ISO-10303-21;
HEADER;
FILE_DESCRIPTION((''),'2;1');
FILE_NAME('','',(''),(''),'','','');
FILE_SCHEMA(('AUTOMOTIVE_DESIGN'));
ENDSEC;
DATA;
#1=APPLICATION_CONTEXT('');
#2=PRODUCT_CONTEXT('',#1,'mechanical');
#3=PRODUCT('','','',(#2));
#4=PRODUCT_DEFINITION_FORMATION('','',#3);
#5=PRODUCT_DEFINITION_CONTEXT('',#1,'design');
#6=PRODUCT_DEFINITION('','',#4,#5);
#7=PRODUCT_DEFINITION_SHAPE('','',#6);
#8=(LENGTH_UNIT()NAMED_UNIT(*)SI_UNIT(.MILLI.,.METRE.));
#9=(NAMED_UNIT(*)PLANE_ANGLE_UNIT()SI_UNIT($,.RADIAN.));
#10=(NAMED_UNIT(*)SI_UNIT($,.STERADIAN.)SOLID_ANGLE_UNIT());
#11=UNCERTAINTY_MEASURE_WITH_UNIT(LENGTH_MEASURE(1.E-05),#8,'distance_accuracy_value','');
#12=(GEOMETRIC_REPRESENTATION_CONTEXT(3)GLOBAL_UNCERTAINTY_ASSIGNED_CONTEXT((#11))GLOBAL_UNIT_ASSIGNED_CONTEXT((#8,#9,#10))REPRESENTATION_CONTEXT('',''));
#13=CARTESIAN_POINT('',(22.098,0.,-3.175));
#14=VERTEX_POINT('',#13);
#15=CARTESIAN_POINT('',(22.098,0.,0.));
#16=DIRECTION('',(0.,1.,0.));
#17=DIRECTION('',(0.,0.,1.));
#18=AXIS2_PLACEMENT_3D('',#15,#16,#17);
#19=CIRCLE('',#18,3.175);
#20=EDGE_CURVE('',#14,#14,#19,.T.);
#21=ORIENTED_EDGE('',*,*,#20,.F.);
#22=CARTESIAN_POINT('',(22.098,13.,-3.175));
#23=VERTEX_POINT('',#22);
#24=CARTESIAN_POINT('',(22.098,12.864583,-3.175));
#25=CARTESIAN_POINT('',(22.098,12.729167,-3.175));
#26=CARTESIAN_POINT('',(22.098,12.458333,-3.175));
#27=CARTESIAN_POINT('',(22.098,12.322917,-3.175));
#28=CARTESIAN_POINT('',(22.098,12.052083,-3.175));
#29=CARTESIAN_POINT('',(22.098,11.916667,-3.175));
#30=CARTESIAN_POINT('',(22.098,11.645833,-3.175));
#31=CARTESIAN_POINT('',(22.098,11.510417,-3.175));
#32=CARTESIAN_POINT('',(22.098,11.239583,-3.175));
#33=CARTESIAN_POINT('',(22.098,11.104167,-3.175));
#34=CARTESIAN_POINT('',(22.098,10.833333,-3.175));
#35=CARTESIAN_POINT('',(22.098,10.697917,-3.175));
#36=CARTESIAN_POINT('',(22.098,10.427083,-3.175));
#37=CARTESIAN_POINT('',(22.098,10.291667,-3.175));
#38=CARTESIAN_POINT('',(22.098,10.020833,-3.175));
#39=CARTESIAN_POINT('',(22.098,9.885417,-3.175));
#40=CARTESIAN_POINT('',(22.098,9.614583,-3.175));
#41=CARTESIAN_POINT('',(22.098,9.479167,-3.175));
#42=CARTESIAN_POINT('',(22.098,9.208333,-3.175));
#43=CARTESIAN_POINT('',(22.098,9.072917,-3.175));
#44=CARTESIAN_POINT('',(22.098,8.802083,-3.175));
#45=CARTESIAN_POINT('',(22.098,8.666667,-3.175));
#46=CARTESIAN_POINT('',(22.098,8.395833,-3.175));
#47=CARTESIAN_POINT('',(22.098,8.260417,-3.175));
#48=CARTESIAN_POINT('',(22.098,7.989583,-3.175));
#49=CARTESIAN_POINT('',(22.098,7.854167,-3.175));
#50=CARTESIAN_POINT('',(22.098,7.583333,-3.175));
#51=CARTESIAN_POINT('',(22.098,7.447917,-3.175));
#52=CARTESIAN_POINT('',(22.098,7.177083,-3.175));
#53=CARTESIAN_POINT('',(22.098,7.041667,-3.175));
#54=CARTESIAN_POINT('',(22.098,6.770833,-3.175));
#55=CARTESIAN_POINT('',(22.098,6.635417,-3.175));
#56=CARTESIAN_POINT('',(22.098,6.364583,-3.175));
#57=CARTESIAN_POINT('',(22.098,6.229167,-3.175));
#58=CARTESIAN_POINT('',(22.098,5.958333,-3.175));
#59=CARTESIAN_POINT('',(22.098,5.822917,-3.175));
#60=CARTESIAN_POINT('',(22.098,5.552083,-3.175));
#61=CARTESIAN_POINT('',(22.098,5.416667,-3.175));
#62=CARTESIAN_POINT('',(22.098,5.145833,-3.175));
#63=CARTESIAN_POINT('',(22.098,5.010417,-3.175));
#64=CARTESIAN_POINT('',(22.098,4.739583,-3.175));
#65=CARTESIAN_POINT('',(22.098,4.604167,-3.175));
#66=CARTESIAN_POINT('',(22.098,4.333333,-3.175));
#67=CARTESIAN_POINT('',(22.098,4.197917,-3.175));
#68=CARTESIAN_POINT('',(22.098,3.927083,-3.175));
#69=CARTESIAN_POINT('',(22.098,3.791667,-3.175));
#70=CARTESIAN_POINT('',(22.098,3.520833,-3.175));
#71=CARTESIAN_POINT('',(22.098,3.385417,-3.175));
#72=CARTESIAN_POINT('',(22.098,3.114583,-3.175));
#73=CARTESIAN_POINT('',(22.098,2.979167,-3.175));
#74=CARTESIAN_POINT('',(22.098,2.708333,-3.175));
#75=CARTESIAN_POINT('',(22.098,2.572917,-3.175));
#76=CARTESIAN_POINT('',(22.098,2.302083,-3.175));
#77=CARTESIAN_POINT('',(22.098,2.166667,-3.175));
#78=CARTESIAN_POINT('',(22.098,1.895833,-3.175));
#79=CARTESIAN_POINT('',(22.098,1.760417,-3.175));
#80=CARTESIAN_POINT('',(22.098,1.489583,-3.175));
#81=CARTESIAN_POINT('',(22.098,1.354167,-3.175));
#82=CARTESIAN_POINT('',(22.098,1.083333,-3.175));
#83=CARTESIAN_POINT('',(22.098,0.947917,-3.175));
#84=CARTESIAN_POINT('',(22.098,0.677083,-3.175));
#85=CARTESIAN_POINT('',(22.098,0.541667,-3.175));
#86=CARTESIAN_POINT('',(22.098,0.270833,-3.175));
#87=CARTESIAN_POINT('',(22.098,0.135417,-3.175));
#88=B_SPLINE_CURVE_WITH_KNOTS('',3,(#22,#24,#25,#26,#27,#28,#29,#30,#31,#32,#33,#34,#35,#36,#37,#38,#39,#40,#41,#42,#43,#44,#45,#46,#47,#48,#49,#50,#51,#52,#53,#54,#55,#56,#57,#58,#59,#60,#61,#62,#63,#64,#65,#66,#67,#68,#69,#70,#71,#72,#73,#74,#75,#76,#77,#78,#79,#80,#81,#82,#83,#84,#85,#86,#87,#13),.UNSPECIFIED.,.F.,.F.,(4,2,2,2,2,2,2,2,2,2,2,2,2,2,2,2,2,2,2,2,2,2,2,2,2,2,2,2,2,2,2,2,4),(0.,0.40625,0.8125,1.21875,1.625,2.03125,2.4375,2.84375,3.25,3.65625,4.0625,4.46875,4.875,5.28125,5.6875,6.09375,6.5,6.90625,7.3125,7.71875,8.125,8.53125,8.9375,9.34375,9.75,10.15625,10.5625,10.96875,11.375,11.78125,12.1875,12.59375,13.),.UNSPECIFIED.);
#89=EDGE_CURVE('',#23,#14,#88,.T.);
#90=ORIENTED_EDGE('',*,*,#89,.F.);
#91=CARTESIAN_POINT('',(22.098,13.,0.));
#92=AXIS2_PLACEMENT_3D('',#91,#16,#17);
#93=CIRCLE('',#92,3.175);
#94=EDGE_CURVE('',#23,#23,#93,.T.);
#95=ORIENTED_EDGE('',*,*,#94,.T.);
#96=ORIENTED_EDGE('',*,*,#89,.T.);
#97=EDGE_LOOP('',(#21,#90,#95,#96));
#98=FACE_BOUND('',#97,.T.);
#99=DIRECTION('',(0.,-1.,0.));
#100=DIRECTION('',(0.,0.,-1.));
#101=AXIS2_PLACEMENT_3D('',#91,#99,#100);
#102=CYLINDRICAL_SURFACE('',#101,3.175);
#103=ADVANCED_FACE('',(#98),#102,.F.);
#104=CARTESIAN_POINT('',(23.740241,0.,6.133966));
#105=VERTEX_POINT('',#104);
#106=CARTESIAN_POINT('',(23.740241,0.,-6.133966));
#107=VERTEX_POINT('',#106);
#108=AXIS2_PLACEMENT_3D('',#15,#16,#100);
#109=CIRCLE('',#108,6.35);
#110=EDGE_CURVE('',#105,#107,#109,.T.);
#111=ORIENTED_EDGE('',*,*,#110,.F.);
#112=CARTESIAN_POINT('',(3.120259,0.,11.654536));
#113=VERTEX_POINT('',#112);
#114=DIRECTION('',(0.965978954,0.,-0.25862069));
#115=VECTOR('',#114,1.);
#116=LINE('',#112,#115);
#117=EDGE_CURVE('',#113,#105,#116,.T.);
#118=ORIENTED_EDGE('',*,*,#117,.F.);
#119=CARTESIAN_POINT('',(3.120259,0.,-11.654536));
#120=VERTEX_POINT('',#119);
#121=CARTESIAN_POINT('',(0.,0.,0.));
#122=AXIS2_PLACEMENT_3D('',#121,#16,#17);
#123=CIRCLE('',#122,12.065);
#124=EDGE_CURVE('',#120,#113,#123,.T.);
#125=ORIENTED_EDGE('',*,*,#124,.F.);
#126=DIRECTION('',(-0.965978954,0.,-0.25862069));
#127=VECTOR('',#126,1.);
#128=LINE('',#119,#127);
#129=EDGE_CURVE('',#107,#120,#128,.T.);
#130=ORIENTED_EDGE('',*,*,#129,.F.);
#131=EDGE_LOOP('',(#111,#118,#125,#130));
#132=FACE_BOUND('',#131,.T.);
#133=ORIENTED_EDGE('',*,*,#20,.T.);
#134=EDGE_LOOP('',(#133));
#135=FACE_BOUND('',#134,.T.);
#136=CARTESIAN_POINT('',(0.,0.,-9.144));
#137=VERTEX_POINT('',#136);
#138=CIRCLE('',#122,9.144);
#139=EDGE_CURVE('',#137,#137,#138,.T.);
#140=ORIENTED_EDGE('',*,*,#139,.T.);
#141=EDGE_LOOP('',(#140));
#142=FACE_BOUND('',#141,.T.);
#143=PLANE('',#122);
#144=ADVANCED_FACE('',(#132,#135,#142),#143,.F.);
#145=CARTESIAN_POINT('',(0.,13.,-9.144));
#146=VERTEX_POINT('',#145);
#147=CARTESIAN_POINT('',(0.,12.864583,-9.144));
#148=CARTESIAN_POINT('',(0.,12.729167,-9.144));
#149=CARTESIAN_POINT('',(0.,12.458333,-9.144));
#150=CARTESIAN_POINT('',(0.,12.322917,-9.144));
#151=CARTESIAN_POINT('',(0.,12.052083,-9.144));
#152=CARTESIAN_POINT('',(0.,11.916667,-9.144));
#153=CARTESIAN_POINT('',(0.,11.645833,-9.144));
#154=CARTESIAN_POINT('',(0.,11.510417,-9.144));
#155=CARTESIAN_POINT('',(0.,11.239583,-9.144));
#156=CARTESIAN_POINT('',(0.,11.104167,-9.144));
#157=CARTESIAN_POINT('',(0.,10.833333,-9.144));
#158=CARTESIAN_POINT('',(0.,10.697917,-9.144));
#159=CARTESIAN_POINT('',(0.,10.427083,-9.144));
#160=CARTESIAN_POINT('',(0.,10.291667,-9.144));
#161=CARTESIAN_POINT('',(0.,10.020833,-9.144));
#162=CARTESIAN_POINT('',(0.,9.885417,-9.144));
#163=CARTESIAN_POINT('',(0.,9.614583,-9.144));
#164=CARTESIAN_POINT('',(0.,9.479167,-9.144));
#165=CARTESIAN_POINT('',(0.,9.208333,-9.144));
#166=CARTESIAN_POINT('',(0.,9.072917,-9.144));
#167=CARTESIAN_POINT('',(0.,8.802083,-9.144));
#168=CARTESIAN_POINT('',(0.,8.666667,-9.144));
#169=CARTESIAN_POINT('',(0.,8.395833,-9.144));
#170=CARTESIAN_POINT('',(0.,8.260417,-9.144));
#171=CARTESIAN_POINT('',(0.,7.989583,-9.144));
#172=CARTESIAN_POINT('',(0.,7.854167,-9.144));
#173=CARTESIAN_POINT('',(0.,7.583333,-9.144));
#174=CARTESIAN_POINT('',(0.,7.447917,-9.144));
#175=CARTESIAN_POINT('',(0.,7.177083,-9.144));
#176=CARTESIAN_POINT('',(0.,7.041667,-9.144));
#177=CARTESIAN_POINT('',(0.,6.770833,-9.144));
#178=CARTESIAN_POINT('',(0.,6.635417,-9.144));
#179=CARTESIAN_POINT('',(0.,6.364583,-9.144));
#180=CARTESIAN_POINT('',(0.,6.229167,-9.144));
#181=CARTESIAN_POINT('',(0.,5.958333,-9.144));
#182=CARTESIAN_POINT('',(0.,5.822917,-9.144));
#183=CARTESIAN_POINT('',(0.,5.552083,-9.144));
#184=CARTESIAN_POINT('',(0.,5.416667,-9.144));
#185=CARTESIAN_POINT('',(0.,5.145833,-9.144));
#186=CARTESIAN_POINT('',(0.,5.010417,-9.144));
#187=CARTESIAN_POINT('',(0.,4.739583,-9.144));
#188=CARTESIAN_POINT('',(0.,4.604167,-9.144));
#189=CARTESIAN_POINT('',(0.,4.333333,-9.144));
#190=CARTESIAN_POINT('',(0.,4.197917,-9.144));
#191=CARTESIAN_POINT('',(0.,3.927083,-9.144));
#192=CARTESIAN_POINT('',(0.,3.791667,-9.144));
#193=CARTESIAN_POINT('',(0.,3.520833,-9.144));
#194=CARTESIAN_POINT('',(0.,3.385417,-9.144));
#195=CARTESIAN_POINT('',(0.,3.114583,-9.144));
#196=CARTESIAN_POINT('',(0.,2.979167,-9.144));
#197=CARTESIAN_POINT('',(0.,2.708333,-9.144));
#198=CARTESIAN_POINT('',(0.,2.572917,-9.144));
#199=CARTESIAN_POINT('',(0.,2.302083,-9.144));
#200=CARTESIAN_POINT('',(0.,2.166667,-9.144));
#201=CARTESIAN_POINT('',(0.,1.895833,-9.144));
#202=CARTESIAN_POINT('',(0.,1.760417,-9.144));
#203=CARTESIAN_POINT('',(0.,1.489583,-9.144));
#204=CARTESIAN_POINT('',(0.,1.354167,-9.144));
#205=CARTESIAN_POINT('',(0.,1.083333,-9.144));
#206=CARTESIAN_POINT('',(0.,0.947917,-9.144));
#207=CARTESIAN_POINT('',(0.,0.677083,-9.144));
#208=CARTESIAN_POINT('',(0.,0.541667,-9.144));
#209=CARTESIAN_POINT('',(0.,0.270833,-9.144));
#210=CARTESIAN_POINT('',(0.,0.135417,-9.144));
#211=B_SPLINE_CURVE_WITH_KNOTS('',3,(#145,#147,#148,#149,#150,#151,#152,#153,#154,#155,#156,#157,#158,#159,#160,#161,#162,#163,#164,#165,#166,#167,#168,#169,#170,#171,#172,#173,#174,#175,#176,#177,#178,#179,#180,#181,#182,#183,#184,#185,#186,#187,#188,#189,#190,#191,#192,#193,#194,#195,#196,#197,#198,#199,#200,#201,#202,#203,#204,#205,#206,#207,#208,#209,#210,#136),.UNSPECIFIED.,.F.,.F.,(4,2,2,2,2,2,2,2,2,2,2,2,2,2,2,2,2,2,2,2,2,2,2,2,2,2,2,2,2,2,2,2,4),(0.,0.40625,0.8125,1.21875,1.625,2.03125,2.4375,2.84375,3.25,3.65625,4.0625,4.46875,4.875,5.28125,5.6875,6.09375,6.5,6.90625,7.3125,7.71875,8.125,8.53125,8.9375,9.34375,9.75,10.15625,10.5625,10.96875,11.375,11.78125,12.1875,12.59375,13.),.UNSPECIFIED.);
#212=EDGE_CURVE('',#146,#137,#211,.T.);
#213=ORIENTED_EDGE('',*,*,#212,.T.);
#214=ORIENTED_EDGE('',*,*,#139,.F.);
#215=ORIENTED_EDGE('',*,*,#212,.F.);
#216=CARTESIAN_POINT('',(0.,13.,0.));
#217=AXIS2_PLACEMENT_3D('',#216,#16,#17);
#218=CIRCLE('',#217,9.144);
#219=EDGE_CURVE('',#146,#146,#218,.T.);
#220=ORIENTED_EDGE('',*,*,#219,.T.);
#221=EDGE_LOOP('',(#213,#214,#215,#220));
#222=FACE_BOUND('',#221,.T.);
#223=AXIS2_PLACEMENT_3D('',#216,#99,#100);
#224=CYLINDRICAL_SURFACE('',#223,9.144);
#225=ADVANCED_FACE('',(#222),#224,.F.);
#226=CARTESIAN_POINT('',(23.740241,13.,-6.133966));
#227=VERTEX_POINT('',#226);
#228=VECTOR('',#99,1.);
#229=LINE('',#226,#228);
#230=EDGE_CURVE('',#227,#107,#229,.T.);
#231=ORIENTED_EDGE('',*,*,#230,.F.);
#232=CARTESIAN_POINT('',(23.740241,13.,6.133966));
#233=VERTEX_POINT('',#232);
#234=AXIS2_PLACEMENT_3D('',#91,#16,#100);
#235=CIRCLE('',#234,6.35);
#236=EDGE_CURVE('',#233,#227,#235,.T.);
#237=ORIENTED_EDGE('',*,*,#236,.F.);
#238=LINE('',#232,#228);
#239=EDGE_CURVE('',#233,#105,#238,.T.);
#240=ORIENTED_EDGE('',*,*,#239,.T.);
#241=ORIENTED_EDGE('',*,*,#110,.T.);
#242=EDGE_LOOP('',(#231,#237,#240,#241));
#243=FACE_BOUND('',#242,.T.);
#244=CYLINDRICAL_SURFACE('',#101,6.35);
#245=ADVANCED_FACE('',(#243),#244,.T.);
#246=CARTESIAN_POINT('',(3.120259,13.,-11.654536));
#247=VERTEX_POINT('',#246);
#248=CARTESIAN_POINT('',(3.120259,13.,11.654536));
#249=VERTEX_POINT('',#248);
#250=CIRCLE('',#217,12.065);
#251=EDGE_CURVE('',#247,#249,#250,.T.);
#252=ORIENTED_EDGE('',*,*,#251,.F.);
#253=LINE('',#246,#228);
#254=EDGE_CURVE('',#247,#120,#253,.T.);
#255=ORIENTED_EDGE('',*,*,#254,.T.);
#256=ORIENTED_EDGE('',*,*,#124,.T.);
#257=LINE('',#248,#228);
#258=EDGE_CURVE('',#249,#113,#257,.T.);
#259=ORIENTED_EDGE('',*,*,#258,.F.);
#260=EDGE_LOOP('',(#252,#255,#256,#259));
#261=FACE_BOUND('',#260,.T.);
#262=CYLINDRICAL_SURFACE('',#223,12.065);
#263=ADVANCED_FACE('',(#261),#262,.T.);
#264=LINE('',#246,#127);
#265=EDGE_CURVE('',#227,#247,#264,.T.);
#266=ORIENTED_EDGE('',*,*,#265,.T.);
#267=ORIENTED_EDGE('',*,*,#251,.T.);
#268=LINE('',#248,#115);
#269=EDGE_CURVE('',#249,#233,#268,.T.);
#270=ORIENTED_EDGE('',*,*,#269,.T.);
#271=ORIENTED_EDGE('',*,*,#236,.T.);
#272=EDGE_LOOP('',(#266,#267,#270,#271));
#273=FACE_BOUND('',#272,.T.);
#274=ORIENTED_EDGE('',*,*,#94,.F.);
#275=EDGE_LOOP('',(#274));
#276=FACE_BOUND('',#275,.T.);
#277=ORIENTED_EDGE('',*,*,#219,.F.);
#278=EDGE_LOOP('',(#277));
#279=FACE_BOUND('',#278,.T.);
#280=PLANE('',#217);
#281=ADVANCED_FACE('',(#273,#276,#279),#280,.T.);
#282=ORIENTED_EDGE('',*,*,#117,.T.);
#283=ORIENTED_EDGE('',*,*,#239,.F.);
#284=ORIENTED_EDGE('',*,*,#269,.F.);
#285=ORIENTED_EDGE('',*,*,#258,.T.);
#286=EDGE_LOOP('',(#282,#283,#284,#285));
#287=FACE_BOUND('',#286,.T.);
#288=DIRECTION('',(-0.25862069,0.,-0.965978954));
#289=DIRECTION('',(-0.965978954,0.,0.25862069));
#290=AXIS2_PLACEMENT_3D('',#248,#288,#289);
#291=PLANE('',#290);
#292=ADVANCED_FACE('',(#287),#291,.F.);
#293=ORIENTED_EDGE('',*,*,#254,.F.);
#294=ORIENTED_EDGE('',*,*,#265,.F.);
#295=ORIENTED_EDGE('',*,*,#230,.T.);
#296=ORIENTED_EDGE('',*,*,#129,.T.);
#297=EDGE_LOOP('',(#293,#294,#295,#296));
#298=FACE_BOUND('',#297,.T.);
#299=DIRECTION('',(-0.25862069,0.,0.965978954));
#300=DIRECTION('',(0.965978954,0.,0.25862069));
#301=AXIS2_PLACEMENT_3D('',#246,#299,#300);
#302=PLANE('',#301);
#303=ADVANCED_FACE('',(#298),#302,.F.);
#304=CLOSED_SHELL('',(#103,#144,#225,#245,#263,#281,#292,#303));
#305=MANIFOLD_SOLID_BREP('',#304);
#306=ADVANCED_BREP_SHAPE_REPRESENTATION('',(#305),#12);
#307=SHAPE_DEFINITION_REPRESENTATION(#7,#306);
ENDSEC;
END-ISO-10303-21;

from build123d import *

# Parameters (mm, degrees)
SKETCH2_R           = 9.144
SKETCH2_R_2         = 3.175
BOSS_EXTRUDE1_DEPTH = 13


with BuildPart() as part:
    # Sketch2 → Boss-Extrude1 (new body)
    with BuildSketch(Plane(origin=(0, 0, 0), x_dir=(1, 0, 0), z_dir=(0, 1, 0))):
        with BuildLine():
            Line((3.120258621, 11.654536076), (23.740241379, 6.133966356))
            ThreePointArc((23.740241379, 6.133966356), (28.448, 0), (23.740241379, -6.133966356))
            Line((23.740241379, -6.133966356), (3.120258621, -11.654536076))
            ThreePointArc((3.120258621, -11.654536076), (-12.065, 0), (3.120258621, 11.654536076))
        make_face()
        with Locations(Location((0, 0, 0), (0, 0, 90))):
            Circle(SKETCH2_R, mode=Mode.SUBTRACT)
        with Locations(Location((22.098, 0, 0), (0, 0, 90))):
            Circle(SKETCH2_R_2, mode=Mode.SUBTRACT)
    extrude(amount=BOSS_EXTRUDE1_DEPTH)


solid = part.part
